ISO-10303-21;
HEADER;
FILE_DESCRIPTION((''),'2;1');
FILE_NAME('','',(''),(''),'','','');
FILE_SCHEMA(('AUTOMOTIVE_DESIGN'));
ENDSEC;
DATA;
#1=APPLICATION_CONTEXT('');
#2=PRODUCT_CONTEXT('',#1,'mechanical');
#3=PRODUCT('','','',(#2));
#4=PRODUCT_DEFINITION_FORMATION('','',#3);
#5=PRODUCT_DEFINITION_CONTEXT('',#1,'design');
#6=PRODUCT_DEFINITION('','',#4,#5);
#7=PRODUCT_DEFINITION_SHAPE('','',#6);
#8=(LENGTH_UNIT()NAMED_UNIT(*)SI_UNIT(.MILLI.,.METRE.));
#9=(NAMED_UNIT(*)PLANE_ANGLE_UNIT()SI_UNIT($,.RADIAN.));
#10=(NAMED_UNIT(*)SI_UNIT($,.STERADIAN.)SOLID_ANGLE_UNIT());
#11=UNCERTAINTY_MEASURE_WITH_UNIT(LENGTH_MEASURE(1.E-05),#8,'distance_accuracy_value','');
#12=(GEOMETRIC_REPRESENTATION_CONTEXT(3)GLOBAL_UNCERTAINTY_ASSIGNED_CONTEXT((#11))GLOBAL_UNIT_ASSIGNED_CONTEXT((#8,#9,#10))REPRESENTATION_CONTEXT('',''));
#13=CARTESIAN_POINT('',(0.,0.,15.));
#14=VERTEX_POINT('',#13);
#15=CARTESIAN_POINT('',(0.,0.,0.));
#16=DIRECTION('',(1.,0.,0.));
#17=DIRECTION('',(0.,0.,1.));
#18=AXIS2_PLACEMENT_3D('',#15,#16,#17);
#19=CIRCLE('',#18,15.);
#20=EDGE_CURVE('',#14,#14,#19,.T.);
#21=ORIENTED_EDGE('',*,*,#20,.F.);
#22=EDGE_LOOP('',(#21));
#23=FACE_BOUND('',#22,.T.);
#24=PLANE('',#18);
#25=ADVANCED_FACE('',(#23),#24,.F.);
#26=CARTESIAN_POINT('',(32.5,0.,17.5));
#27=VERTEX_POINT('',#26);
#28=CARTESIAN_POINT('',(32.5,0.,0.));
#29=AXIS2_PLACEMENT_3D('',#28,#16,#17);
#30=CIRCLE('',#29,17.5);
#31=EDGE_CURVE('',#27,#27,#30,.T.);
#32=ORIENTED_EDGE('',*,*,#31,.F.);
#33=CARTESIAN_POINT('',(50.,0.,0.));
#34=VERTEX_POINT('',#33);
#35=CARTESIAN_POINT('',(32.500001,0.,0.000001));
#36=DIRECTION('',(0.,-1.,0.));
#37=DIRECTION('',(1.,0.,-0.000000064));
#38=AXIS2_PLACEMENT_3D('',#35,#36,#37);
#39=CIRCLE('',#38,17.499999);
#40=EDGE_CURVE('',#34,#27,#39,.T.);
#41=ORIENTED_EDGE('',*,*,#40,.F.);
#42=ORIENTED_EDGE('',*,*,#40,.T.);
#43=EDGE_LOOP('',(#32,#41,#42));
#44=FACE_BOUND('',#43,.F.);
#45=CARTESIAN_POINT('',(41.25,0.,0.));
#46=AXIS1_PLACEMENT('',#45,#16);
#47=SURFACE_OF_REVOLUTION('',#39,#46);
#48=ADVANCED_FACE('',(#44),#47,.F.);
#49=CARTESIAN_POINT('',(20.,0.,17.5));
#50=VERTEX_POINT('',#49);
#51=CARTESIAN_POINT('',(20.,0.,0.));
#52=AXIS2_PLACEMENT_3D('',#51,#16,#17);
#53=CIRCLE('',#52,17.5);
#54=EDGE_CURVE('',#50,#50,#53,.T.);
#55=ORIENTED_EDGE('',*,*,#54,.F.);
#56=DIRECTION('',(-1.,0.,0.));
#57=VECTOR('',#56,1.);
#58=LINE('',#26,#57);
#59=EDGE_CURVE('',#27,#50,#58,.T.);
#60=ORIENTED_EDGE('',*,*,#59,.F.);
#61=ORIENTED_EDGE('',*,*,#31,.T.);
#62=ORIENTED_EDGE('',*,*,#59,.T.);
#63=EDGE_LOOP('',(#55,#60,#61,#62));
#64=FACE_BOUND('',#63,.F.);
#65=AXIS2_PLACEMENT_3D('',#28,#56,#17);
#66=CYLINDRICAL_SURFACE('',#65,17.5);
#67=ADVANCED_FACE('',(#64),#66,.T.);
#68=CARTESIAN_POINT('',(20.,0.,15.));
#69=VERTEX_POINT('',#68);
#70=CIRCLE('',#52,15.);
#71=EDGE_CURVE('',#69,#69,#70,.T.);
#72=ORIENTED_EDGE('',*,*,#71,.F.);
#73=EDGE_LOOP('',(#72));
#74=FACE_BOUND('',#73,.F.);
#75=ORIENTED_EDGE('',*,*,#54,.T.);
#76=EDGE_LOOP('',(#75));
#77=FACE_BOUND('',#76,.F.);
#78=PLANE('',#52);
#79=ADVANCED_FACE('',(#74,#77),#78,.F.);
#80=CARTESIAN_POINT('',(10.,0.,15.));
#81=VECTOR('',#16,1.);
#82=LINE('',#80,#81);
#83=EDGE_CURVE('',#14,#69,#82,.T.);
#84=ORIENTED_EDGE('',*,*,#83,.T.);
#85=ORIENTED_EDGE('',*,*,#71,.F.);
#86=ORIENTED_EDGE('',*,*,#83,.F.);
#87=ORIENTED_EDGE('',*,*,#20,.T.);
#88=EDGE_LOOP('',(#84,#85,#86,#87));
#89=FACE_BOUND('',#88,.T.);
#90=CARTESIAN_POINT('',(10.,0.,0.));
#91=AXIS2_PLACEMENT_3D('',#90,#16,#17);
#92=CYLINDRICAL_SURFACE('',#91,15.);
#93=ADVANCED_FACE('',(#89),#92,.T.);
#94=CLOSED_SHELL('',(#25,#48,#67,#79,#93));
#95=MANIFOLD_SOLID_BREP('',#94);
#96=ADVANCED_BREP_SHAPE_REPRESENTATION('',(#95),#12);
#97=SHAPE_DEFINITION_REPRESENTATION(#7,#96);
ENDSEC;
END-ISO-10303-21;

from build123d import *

# Parameters (mm, degrees)
F0_W = 20
F0_H = 15


with BuildPart() as f1:
    # F0 (on Front) → F1 (revolve)
    with BuildSketch(Plane.XZ):
        with Locations((10, 7.5)):
            Rectangle(F0_W, F0_H)
        Polygon((20, 15), (20, 0), (32.5, 0), (32.5, 17.5), (20, 17.5), align=None)
        with BuildLine():
            Line((32.5, 17.5), (32.5, 0))
            Line((32.5, 0), (50, 0))
            ThreePointArc((50, 0), (44.874369, 12.374369), (32.5, 17.5))
        make_face()
    revolve(axis=Axis((41.25, 0, 0), (1, 0, 0)))


solid = f1.part
